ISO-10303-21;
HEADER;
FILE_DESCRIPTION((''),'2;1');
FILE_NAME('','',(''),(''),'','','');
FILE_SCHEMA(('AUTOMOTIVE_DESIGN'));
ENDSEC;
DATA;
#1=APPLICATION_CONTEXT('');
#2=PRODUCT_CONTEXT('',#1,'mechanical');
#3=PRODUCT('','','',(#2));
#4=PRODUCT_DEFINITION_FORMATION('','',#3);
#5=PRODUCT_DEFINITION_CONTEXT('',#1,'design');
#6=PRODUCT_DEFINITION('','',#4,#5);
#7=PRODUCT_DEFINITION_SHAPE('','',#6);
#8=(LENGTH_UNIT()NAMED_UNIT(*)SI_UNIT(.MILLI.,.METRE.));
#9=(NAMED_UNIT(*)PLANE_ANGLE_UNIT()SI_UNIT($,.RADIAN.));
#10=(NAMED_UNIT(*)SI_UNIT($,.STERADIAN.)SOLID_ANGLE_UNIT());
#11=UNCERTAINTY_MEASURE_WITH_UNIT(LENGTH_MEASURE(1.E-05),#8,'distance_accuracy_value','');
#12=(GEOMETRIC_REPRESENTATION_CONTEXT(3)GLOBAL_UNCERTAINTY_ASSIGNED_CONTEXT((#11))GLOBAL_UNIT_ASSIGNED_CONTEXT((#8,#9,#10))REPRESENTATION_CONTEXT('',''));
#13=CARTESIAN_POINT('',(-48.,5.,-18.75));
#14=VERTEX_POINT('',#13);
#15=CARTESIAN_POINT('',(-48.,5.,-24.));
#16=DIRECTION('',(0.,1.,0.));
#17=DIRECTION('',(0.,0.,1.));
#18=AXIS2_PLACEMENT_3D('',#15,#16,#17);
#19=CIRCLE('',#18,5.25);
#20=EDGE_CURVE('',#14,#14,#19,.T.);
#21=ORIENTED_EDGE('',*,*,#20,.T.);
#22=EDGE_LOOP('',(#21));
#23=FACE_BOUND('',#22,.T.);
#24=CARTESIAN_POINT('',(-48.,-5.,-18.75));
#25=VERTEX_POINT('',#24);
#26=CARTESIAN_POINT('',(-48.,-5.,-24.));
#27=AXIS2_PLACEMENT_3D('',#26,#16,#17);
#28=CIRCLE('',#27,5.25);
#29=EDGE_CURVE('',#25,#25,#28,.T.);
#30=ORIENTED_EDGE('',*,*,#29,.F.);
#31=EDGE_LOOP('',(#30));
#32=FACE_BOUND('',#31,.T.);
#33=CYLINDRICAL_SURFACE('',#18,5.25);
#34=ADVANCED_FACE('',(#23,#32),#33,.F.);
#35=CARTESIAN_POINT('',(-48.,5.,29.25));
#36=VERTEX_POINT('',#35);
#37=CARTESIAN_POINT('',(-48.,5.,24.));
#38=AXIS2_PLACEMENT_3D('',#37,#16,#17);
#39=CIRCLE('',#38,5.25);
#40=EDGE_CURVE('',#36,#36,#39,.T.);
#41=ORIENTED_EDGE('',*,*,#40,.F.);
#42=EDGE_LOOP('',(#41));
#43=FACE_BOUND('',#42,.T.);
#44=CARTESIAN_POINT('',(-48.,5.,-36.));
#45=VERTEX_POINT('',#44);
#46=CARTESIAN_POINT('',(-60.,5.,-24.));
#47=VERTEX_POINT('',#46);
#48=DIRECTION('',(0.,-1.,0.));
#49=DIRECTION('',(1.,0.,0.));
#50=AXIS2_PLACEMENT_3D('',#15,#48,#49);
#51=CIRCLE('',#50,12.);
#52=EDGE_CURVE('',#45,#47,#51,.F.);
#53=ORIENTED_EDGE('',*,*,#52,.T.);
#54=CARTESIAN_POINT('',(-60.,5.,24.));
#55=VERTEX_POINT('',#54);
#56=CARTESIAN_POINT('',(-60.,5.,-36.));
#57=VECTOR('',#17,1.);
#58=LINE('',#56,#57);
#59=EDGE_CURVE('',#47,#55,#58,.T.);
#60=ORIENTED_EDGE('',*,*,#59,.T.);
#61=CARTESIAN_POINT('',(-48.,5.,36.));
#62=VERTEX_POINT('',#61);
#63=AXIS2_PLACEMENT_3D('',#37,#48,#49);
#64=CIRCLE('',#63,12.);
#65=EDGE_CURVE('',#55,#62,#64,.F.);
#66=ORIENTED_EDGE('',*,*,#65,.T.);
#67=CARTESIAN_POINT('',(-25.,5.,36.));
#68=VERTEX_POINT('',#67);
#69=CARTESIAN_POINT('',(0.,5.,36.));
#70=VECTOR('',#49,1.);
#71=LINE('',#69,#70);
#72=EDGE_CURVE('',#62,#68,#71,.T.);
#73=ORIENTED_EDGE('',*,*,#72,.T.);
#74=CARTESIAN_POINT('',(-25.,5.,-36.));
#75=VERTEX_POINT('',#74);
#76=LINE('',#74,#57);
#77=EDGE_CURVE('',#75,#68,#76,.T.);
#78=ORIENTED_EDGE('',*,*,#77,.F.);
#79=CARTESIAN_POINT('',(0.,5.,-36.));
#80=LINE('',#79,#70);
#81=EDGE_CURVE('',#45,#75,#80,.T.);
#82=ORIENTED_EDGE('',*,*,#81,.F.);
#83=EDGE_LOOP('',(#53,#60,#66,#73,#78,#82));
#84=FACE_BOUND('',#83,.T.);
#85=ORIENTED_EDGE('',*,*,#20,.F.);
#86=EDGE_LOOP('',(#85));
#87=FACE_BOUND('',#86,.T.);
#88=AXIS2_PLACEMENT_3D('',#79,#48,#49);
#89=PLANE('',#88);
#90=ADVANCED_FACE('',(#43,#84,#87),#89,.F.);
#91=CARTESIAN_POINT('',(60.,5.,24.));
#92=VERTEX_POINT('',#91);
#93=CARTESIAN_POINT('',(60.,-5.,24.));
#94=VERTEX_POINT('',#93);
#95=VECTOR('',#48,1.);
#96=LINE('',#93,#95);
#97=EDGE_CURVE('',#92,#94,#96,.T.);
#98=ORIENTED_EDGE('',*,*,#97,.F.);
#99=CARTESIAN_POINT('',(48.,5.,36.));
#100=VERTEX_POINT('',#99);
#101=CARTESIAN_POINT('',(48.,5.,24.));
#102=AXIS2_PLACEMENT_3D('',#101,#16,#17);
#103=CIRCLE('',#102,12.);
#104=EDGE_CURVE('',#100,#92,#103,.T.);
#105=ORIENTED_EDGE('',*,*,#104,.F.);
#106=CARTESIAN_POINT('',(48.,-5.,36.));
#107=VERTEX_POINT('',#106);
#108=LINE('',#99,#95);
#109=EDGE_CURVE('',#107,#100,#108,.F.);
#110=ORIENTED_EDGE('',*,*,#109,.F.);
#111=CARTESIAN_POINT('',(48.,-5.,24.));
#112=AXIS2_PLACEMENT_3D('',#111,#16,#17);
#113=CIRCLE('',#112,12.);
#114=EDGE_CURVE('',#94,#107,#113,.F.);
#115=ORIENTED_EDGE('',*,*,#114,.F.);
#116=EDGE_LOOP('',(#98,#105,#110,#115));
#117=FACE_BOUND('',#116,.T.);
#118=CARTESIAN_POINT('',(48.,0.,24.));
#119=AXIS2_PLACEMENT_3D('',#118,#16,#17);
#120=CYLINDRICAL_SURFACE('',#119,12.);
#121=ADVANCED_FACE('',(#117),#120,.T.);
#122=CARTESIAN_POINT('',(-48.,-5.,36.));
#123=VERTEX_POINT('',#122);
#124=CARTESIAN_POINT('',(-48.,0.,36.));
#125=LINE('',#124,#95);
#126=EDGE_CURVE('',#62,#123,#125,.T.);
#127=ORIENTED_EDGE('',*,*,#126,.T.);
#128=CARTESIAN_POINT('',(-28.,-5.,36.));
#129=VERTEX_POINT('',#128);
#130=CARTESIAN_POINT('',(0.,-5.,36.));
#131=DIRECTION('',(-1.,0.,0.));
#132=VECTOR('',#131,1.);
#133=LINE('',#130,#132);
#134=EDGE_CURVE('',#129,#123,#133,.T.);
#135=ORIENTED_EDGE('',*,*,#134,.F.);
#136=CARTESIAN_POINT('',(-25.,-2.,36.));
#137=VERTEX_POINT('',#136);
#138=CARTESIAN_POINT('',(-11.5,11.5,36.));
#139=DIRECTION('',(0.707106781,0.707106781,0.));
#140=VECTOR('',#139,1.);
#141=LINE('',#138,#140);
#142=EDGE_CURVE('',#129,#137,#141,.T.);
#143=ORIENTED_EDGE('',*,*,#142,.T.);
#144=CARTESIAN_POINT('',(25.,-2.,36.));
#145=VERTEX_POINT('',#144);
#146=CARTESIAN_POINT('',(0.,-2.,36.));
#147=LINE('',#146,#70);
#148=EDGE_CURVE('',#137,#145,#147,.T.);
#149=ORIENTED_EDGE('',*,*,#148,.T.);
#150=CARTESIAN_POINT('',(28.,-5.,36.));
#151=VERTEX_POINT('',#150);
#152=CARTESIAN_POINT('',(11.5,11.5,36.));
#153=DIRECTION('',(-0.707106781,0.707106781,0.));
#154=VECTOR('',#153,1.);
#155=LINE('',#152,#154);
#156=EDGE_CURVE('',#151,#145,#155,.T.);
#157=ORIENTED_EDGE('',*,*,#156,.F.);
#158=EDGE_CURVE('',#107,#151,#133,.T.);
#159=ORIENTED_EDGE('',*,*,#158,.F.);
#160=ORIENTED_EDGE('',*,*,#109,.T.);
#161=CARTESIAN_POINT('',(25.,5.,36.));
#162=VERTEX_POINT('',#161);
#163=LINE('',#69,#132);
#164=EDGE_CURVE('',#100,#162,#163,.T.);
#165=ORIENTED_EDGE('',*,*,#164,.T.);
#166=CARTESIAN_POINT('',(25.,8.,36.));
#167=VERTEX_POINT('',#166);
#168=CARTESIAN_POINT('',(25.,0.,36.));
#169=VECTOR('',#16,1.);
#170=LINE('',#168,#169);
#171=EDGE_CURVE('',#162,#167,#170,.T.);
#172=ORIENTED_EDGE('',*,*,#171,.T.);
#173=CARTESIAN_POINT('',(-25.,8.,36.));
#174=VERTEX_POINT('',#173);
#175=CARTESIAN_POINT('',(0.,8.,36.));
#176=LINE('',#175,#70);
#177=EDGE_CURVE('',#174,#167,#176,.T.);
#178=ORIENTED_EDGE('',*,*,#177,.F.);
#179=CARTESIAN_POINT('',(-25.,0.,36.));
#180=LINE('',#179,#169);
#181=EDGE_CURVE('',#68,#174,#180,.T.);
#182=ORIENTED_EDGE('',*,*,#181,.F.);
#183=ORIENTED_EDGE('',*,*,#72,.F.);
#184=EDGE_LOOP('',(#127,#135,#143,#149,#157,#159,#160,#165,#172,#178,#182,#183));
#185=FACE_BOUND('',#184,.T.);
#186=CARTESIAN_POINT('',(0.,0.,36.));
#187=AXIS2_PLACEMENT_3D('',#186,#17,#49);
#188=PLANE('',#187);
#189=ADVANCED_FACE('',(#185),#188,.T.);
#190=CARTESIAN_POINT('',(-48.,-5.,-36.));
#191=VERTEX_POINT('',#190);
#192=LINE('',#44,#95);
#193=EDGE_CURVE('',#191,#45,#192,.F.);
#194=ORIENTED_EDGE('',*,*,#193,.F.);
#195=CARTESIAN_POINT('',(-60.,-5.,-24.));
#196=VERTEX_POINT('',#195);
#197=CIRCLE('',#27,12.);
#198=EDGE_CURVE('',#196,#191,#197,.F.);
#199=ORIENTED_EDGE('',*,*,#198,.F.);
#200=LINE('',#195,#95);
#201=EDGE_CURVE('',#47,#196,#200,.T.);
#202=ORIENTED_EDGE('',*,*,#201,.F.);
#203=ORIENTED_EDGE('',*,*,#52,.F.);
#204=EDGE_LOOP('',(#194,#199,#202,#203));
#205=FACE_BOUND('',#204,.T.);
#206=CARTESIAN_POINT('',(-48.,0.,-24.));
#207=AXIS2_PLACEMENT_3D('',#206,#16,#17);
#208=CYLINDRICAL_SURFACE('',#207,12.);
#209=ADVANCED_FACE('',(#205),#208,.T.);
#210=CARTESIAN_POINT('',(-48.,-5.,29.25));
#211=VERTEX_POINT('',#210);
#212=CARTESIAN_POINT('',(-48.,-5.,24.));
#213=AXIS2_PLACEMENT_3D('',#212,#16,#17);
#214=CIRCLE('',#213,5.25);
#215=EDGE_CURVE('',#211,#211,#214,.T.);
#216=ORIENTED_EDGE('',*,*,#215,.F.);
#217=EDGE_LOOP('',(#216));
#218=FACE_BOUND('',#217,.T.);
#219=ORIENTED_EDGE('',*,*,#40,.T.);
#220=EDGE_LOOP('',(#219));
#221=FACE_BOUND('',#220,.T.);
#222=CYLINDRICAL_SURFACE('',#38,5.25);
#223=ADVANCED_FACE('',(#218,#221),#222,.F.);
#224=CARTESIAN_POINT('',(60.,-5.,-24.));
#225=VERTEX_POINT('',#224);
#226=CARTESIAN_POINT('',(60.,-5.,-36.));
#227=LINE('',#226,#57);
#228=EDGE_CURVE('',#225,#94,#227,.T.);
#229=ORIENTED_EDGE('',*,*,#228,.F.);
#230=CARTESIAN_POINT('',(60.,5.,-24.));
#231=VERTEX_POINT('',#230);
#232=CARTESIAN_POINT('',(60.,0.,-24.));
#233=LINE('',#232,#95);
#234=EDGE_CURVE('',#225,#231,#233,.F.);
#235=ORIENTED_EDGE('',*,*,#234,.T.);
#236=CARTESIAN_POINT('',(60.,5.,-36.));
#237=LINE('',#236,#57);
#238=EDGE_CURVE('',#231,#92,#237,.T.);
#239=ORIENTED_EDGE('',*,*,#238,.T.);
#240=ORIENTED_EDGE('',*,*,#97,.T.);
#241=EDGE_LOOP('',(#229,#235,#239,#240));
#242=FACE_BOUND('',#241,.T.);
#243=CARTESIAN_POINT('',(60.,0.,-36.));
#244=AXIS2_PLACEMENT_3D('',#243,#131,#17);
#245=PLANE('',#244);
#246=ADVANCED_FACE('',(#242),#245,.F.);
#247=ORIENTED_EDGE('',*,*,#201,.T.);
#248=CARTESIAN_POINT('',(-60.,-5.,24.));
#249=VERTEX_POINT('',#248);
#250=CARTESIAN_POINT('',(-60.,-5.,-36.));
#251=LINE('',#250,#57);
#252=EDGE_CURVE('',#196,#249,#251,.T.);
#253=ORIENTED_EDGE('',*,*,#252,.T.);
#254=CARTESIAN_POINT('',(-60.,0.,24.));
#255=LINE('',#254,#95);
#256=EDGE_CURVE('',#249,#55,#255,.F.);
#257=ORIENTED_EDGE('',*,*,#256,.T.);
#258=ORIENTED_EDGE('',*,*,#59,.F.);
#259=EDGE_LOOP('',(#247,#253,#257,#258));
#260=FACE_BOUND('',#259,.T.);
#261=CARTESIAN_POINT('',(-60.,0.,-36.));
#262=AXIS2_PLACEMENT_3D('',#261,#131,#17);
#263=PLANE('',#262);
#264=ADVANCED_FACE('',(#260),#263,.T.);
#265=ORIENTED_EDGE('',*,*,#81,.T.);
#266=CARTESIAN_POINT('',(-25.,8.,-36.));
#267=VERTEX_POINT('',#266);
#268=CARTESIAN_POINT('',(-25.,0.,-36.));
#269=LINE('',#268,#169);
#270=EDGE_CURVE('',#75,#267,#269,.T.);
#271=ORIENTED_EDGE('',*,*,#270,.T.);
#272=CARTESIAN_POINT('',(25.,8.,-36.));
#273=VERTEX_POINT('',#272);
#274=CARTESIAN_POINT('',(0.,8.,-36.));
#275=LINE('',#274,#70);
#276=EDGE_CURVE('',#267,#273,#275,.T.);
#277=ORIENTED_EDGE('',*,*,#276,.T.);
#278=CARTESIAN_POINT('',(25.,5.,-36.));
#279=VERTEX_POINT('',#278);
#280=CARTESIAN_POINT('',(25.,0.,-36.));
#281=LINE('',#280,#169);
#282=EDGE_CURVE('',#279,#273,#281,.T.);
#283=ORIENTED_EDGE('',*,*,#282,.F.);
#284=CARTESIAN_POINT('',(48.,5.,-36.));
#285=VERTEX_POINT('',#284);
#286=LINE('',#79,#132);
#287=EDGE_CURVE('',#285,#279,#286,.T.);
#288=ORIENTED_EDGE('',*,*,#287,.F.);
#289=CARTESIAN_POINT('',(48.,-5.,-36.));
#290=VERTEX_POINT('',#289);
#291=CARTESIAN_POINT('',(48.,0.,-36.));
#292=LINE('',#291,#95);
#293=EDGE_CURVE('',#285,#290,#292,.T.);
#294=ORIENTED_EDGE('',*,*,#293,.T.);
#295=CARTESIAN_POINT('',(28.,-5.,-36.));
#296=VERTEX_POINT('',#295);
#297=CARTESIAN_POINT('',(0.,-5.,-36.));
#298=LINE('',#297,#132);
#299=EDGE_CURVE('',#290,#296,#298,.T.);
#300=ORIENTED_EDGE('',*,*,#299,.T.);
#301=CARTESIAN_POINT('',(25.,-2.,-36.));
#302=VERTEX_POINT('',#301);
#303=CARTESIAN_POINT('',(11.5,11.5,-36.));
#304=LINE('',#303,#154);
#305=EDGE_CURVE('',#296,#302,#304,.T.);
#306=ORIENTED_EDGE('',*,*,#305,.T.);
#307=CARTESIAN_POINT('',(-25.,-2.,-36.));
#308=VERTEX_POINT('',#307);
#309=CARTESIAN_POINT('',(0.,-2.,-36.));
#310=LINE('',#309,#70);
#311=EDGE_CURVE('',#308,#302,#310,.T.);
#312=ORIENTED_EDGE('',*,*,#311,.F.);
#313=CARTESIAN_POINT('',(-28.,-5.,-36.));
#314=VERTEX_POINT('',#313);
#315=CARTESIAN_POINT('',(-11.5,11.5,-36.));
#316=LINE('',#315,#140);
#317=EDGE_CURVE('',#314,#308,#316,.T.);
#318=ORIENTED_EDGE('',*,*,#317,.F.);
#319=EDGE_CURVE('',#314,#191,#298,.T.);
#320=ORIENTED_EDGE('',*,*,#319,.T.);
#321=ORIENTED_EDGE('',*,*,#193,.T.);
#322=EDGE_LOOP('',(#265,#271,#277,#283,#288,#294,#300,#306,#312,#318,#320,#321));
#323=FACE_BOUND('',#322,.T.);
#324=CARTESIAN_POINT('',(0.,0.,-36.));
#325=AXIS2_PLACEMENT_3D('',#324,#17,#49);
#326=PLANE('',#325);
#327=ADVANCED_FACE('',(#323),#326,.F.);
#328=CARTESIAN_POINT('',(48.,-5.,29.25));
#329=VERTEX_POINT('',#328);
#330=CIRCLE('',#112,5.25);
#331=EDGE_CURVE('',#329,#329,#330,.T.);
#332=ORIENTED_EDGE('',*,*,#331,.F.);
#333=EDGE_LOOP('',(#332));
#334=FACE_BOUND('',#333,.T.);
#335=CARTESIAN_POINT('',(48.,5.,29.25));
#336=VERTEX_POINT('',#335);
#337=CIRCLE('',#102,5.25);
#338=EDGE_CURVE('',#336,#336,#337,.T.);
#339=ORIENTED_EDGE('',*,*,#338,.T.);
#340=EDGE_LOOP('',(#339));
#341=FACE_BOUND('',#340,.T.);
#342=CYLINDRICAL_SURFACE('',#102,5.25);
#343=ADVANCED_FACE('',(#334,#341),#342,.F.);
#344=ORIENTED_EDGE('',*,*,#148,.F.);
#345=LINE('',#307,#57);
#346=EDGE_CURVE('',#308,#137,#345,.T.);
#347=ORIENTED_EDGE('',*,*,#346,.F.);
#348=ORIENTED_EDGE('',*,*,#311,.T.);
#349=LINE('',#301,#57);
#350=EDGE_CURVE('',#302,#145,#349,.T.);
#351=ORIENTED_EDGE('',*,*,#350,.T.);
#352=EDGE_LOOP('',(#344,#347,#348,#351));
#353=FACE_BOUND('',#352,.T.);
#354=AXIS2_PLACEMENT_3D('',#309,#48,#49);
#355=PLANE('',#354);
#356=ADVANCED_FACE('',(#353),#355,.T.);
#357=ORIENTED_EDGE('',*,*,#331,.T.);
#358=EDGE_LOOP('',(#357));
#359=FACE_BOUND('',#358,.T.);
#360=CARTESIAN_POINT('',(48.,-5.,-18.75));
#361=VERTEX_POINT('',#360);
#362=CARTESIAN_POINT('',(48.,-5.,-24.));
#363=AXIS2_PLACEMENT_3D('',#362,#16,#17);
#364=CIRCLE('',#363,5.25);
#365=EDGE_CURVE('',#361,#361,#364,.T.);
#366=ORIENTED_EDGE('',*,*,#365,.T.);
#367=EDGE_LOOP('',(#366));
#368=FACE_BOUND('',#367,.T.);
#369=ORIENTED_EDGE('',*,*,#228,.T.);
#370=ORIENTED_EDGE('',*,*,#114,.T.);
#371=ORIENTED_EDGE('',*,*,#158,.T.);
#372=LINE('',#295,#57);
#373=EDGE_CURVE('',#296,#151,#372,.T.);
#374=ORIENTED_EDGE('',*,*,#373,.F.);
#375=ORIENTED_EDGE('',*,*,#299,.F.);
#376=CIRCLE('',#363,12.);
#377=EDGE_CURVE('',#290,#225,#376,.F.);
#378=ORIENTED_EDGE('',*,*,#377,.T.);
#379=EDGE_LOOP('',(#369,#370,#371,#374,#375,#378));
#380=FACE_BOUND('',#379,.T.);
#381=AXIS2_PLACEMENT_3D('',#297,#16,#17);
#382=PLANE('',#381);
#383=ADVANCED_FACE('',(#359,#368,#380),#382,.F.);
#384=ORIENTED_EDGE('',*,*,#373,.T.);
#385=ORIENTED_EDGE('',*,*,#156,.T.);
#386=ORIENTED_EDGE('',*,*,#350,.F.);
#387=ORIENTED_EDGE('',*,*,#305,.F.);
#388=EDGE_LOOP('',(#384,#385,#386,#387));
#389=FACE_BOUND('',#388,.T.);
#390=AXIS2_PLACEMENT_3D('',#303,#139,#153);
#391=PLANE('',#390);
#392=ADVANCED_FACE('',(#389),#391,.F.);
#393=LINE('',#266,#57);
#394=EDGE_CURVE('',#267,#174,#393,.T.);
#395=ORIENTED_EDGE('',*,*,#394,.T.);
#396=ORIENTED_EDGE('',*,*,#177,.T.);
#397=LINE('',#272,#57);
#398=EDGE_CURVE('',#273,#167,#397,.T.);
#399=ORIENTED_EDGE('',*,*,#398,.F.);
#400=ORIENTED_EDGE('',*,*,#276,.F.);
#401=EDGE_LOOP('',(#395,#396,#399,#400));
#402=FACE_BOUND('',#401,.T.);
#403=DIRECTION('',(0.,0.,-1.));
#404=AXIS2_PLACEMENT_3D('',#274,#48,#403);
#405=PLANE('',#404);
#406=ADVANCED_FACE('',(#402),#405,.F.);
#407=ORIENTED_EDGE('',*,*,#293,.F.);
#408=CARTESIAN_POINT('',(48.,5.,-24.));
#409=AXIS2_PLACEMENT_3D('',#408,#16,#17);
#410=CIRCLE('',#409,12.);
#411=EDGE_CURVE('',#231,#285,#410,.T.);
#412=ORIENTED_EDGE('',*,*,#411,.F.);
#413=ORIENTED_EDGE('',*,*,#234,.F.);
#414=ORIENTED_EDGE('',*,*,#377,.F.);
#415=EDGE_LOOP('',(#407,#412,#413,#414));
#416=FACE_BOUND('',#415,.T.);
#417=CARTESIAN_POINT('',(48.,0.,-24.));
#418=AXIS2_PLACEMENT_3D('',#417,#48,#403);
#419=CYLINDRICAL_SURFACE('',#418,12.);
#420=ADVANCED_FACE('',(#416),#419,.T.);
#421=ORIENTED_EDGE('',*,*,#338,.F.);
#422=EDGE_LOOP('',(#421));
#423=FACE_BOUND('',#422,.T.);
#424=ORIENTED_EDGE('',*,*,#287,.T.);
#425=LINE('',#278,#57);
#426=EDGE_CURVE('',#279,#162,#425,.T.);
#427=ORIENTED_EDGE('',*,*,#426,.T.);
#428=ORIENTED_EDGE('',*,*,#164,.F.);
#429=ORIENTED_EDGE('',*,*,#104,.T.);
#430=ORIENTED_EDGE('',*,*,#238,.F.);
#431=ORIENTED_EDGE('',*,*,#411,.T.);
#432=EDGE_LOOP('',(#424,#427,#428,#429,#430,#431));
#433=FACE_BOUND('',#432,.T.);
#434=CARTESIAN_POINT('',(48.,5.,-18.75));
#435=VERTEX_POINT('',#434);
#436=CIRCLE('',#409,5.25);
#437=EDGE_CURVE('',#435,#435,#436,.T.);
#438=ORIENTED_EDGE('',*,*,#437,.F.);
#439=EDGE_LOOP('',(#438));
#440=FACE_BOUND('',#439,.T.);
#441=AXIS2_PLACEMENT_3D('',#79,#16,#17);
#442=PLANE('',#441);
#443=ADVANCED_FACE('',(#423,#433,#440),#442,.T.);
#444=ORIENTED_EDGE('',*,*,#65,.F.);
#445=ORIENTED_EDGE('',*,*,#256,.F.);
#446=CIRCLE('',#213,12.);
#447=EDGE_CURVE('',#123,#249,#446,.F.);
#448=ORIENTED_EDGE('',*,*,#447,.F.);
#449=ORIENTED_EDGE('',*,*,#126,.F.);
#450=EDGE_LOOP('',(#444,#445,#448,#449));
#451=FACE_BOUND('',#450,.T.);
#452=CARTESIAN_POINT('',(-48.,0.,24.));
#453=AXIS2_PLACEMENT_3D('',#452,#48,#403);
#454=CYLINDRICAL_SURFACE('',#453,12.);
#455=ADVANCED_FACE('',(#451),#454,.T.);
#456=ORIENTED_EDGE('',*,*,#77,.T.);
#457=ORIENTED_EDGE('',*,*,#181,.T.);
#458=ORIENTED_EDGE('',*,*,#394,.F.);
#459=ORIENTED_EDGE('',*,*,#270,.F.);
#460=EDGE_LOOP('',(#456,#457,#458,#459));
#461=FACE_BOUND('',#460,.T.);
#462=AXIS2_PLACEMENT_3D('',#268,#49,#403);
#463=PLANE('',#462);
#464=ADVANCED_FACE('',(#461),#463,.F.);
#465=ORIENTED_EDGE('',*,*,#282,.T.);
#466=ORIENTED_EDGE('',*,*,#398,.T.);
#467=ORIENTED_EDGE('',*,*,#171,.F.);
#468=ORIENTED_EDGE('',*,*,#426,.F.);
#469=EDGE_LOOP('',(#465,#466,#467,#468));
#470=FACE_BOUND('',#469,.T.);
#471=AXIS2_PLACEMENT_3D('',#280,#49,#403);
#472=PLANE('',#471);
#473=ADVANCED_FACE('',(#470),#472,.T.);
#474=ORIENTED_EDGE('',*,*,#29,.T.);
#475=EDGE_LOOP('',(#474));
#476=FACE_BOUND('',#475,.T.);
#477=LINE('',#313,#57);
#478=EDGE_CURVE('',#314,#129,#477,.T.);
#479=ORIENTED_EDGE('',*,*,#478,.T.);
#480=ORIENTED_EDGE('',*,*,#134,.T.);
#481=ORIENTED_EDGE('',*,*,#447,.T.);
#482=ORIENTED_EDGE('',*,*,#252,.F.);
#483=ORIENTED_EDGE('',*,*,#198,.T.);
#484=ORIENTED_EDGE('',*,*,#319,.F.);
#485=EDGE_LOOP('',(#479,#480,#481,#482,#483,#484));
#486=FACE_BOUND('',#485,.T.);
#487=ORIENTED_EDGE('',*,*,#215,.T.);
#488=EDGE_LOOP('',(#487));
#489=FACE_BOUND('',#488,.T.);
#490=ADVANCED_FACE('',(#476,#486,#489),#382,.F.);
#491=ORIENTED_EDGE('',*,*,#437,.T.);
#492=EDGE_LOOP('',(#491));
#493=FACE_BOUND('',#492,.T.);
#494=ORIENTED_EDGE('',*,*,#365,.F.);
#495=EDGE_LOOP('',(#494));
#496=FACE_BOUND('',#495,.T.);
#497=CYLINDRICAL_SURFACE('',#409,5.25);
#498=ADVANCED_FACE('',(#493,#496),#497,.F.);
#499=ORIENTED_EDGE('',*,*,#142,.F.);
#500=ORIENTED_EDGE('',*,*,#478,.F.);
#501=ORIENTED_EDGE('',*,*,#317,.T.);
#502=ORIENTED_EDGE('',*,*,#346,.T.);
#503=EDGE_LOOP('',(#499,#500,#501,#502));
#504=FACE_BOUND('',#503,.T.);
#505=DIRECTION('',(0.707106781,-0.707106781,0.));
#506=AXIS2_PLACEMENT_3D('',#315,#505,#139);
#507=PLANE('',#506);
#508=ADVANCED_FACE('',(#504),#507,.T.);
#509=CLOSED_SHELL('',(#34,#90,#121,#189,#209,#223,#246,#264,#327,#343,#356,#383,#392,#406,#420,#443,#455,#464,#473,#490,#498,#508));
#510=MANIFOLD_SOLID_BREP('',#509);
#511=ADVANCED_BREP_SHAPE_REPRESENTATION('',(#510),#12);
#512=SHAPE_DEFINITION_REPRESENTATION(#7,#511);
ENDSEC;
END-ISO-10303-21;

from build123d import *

# Parameters (mm, degrees)
BOSS_EXTRUDE1_DEPTH      = 36
BOSS_EXTRUDE1_DEPTH_BACK = 36
FILLET1_R                = 12
M12X1_5_TAPPED_HOLE1_D   = 10.5


with BuildPart() as part:
    # Sketch1 → Boss-Extrude1 (new, two sides: drawn at the far end of the back side and taken through both)
    with BuildSketch(Plane.XY.offset(-BOSS_EXTRUDE1_DEPTH_BACK)):
        Polygon((-25, 8), (-25, 5), (-60, 5), (-60, -5), (-28, -5), (-25, -2), (25, -2), (28, -5), (60, -5), (60, 5), (25, 5), (25, 8), align=None)
    extrude(amount=BOSS_EXTRUDE1_DEPTH + BOSS_EXTRUDE1_DEPTH_BACK)

    # Fillet1
    fillet1_edges = [part.edges().sort_by_distance(p)[0] for p in [
        (-60, 0, -36),
        (-60, 0, 36),
        (60, 0, -36),
        (60, 0, 36),
    ]]
    fillet(fillet1_edges, radius=FILLET1_R)

    # M12x1.5 Tapped Hole1 (through all)
    with Locations(Plane(origin=(0, 5, 0), x_dir=(1, 0, 0), z_dir=(0, 1, 0))):
        with Locations((-48, -24), (-48, 24), (48, 24), (48, -24)):
            Hole(M12X1_5_TAPPED_HOLE1_D / 2)


solid = part.part
